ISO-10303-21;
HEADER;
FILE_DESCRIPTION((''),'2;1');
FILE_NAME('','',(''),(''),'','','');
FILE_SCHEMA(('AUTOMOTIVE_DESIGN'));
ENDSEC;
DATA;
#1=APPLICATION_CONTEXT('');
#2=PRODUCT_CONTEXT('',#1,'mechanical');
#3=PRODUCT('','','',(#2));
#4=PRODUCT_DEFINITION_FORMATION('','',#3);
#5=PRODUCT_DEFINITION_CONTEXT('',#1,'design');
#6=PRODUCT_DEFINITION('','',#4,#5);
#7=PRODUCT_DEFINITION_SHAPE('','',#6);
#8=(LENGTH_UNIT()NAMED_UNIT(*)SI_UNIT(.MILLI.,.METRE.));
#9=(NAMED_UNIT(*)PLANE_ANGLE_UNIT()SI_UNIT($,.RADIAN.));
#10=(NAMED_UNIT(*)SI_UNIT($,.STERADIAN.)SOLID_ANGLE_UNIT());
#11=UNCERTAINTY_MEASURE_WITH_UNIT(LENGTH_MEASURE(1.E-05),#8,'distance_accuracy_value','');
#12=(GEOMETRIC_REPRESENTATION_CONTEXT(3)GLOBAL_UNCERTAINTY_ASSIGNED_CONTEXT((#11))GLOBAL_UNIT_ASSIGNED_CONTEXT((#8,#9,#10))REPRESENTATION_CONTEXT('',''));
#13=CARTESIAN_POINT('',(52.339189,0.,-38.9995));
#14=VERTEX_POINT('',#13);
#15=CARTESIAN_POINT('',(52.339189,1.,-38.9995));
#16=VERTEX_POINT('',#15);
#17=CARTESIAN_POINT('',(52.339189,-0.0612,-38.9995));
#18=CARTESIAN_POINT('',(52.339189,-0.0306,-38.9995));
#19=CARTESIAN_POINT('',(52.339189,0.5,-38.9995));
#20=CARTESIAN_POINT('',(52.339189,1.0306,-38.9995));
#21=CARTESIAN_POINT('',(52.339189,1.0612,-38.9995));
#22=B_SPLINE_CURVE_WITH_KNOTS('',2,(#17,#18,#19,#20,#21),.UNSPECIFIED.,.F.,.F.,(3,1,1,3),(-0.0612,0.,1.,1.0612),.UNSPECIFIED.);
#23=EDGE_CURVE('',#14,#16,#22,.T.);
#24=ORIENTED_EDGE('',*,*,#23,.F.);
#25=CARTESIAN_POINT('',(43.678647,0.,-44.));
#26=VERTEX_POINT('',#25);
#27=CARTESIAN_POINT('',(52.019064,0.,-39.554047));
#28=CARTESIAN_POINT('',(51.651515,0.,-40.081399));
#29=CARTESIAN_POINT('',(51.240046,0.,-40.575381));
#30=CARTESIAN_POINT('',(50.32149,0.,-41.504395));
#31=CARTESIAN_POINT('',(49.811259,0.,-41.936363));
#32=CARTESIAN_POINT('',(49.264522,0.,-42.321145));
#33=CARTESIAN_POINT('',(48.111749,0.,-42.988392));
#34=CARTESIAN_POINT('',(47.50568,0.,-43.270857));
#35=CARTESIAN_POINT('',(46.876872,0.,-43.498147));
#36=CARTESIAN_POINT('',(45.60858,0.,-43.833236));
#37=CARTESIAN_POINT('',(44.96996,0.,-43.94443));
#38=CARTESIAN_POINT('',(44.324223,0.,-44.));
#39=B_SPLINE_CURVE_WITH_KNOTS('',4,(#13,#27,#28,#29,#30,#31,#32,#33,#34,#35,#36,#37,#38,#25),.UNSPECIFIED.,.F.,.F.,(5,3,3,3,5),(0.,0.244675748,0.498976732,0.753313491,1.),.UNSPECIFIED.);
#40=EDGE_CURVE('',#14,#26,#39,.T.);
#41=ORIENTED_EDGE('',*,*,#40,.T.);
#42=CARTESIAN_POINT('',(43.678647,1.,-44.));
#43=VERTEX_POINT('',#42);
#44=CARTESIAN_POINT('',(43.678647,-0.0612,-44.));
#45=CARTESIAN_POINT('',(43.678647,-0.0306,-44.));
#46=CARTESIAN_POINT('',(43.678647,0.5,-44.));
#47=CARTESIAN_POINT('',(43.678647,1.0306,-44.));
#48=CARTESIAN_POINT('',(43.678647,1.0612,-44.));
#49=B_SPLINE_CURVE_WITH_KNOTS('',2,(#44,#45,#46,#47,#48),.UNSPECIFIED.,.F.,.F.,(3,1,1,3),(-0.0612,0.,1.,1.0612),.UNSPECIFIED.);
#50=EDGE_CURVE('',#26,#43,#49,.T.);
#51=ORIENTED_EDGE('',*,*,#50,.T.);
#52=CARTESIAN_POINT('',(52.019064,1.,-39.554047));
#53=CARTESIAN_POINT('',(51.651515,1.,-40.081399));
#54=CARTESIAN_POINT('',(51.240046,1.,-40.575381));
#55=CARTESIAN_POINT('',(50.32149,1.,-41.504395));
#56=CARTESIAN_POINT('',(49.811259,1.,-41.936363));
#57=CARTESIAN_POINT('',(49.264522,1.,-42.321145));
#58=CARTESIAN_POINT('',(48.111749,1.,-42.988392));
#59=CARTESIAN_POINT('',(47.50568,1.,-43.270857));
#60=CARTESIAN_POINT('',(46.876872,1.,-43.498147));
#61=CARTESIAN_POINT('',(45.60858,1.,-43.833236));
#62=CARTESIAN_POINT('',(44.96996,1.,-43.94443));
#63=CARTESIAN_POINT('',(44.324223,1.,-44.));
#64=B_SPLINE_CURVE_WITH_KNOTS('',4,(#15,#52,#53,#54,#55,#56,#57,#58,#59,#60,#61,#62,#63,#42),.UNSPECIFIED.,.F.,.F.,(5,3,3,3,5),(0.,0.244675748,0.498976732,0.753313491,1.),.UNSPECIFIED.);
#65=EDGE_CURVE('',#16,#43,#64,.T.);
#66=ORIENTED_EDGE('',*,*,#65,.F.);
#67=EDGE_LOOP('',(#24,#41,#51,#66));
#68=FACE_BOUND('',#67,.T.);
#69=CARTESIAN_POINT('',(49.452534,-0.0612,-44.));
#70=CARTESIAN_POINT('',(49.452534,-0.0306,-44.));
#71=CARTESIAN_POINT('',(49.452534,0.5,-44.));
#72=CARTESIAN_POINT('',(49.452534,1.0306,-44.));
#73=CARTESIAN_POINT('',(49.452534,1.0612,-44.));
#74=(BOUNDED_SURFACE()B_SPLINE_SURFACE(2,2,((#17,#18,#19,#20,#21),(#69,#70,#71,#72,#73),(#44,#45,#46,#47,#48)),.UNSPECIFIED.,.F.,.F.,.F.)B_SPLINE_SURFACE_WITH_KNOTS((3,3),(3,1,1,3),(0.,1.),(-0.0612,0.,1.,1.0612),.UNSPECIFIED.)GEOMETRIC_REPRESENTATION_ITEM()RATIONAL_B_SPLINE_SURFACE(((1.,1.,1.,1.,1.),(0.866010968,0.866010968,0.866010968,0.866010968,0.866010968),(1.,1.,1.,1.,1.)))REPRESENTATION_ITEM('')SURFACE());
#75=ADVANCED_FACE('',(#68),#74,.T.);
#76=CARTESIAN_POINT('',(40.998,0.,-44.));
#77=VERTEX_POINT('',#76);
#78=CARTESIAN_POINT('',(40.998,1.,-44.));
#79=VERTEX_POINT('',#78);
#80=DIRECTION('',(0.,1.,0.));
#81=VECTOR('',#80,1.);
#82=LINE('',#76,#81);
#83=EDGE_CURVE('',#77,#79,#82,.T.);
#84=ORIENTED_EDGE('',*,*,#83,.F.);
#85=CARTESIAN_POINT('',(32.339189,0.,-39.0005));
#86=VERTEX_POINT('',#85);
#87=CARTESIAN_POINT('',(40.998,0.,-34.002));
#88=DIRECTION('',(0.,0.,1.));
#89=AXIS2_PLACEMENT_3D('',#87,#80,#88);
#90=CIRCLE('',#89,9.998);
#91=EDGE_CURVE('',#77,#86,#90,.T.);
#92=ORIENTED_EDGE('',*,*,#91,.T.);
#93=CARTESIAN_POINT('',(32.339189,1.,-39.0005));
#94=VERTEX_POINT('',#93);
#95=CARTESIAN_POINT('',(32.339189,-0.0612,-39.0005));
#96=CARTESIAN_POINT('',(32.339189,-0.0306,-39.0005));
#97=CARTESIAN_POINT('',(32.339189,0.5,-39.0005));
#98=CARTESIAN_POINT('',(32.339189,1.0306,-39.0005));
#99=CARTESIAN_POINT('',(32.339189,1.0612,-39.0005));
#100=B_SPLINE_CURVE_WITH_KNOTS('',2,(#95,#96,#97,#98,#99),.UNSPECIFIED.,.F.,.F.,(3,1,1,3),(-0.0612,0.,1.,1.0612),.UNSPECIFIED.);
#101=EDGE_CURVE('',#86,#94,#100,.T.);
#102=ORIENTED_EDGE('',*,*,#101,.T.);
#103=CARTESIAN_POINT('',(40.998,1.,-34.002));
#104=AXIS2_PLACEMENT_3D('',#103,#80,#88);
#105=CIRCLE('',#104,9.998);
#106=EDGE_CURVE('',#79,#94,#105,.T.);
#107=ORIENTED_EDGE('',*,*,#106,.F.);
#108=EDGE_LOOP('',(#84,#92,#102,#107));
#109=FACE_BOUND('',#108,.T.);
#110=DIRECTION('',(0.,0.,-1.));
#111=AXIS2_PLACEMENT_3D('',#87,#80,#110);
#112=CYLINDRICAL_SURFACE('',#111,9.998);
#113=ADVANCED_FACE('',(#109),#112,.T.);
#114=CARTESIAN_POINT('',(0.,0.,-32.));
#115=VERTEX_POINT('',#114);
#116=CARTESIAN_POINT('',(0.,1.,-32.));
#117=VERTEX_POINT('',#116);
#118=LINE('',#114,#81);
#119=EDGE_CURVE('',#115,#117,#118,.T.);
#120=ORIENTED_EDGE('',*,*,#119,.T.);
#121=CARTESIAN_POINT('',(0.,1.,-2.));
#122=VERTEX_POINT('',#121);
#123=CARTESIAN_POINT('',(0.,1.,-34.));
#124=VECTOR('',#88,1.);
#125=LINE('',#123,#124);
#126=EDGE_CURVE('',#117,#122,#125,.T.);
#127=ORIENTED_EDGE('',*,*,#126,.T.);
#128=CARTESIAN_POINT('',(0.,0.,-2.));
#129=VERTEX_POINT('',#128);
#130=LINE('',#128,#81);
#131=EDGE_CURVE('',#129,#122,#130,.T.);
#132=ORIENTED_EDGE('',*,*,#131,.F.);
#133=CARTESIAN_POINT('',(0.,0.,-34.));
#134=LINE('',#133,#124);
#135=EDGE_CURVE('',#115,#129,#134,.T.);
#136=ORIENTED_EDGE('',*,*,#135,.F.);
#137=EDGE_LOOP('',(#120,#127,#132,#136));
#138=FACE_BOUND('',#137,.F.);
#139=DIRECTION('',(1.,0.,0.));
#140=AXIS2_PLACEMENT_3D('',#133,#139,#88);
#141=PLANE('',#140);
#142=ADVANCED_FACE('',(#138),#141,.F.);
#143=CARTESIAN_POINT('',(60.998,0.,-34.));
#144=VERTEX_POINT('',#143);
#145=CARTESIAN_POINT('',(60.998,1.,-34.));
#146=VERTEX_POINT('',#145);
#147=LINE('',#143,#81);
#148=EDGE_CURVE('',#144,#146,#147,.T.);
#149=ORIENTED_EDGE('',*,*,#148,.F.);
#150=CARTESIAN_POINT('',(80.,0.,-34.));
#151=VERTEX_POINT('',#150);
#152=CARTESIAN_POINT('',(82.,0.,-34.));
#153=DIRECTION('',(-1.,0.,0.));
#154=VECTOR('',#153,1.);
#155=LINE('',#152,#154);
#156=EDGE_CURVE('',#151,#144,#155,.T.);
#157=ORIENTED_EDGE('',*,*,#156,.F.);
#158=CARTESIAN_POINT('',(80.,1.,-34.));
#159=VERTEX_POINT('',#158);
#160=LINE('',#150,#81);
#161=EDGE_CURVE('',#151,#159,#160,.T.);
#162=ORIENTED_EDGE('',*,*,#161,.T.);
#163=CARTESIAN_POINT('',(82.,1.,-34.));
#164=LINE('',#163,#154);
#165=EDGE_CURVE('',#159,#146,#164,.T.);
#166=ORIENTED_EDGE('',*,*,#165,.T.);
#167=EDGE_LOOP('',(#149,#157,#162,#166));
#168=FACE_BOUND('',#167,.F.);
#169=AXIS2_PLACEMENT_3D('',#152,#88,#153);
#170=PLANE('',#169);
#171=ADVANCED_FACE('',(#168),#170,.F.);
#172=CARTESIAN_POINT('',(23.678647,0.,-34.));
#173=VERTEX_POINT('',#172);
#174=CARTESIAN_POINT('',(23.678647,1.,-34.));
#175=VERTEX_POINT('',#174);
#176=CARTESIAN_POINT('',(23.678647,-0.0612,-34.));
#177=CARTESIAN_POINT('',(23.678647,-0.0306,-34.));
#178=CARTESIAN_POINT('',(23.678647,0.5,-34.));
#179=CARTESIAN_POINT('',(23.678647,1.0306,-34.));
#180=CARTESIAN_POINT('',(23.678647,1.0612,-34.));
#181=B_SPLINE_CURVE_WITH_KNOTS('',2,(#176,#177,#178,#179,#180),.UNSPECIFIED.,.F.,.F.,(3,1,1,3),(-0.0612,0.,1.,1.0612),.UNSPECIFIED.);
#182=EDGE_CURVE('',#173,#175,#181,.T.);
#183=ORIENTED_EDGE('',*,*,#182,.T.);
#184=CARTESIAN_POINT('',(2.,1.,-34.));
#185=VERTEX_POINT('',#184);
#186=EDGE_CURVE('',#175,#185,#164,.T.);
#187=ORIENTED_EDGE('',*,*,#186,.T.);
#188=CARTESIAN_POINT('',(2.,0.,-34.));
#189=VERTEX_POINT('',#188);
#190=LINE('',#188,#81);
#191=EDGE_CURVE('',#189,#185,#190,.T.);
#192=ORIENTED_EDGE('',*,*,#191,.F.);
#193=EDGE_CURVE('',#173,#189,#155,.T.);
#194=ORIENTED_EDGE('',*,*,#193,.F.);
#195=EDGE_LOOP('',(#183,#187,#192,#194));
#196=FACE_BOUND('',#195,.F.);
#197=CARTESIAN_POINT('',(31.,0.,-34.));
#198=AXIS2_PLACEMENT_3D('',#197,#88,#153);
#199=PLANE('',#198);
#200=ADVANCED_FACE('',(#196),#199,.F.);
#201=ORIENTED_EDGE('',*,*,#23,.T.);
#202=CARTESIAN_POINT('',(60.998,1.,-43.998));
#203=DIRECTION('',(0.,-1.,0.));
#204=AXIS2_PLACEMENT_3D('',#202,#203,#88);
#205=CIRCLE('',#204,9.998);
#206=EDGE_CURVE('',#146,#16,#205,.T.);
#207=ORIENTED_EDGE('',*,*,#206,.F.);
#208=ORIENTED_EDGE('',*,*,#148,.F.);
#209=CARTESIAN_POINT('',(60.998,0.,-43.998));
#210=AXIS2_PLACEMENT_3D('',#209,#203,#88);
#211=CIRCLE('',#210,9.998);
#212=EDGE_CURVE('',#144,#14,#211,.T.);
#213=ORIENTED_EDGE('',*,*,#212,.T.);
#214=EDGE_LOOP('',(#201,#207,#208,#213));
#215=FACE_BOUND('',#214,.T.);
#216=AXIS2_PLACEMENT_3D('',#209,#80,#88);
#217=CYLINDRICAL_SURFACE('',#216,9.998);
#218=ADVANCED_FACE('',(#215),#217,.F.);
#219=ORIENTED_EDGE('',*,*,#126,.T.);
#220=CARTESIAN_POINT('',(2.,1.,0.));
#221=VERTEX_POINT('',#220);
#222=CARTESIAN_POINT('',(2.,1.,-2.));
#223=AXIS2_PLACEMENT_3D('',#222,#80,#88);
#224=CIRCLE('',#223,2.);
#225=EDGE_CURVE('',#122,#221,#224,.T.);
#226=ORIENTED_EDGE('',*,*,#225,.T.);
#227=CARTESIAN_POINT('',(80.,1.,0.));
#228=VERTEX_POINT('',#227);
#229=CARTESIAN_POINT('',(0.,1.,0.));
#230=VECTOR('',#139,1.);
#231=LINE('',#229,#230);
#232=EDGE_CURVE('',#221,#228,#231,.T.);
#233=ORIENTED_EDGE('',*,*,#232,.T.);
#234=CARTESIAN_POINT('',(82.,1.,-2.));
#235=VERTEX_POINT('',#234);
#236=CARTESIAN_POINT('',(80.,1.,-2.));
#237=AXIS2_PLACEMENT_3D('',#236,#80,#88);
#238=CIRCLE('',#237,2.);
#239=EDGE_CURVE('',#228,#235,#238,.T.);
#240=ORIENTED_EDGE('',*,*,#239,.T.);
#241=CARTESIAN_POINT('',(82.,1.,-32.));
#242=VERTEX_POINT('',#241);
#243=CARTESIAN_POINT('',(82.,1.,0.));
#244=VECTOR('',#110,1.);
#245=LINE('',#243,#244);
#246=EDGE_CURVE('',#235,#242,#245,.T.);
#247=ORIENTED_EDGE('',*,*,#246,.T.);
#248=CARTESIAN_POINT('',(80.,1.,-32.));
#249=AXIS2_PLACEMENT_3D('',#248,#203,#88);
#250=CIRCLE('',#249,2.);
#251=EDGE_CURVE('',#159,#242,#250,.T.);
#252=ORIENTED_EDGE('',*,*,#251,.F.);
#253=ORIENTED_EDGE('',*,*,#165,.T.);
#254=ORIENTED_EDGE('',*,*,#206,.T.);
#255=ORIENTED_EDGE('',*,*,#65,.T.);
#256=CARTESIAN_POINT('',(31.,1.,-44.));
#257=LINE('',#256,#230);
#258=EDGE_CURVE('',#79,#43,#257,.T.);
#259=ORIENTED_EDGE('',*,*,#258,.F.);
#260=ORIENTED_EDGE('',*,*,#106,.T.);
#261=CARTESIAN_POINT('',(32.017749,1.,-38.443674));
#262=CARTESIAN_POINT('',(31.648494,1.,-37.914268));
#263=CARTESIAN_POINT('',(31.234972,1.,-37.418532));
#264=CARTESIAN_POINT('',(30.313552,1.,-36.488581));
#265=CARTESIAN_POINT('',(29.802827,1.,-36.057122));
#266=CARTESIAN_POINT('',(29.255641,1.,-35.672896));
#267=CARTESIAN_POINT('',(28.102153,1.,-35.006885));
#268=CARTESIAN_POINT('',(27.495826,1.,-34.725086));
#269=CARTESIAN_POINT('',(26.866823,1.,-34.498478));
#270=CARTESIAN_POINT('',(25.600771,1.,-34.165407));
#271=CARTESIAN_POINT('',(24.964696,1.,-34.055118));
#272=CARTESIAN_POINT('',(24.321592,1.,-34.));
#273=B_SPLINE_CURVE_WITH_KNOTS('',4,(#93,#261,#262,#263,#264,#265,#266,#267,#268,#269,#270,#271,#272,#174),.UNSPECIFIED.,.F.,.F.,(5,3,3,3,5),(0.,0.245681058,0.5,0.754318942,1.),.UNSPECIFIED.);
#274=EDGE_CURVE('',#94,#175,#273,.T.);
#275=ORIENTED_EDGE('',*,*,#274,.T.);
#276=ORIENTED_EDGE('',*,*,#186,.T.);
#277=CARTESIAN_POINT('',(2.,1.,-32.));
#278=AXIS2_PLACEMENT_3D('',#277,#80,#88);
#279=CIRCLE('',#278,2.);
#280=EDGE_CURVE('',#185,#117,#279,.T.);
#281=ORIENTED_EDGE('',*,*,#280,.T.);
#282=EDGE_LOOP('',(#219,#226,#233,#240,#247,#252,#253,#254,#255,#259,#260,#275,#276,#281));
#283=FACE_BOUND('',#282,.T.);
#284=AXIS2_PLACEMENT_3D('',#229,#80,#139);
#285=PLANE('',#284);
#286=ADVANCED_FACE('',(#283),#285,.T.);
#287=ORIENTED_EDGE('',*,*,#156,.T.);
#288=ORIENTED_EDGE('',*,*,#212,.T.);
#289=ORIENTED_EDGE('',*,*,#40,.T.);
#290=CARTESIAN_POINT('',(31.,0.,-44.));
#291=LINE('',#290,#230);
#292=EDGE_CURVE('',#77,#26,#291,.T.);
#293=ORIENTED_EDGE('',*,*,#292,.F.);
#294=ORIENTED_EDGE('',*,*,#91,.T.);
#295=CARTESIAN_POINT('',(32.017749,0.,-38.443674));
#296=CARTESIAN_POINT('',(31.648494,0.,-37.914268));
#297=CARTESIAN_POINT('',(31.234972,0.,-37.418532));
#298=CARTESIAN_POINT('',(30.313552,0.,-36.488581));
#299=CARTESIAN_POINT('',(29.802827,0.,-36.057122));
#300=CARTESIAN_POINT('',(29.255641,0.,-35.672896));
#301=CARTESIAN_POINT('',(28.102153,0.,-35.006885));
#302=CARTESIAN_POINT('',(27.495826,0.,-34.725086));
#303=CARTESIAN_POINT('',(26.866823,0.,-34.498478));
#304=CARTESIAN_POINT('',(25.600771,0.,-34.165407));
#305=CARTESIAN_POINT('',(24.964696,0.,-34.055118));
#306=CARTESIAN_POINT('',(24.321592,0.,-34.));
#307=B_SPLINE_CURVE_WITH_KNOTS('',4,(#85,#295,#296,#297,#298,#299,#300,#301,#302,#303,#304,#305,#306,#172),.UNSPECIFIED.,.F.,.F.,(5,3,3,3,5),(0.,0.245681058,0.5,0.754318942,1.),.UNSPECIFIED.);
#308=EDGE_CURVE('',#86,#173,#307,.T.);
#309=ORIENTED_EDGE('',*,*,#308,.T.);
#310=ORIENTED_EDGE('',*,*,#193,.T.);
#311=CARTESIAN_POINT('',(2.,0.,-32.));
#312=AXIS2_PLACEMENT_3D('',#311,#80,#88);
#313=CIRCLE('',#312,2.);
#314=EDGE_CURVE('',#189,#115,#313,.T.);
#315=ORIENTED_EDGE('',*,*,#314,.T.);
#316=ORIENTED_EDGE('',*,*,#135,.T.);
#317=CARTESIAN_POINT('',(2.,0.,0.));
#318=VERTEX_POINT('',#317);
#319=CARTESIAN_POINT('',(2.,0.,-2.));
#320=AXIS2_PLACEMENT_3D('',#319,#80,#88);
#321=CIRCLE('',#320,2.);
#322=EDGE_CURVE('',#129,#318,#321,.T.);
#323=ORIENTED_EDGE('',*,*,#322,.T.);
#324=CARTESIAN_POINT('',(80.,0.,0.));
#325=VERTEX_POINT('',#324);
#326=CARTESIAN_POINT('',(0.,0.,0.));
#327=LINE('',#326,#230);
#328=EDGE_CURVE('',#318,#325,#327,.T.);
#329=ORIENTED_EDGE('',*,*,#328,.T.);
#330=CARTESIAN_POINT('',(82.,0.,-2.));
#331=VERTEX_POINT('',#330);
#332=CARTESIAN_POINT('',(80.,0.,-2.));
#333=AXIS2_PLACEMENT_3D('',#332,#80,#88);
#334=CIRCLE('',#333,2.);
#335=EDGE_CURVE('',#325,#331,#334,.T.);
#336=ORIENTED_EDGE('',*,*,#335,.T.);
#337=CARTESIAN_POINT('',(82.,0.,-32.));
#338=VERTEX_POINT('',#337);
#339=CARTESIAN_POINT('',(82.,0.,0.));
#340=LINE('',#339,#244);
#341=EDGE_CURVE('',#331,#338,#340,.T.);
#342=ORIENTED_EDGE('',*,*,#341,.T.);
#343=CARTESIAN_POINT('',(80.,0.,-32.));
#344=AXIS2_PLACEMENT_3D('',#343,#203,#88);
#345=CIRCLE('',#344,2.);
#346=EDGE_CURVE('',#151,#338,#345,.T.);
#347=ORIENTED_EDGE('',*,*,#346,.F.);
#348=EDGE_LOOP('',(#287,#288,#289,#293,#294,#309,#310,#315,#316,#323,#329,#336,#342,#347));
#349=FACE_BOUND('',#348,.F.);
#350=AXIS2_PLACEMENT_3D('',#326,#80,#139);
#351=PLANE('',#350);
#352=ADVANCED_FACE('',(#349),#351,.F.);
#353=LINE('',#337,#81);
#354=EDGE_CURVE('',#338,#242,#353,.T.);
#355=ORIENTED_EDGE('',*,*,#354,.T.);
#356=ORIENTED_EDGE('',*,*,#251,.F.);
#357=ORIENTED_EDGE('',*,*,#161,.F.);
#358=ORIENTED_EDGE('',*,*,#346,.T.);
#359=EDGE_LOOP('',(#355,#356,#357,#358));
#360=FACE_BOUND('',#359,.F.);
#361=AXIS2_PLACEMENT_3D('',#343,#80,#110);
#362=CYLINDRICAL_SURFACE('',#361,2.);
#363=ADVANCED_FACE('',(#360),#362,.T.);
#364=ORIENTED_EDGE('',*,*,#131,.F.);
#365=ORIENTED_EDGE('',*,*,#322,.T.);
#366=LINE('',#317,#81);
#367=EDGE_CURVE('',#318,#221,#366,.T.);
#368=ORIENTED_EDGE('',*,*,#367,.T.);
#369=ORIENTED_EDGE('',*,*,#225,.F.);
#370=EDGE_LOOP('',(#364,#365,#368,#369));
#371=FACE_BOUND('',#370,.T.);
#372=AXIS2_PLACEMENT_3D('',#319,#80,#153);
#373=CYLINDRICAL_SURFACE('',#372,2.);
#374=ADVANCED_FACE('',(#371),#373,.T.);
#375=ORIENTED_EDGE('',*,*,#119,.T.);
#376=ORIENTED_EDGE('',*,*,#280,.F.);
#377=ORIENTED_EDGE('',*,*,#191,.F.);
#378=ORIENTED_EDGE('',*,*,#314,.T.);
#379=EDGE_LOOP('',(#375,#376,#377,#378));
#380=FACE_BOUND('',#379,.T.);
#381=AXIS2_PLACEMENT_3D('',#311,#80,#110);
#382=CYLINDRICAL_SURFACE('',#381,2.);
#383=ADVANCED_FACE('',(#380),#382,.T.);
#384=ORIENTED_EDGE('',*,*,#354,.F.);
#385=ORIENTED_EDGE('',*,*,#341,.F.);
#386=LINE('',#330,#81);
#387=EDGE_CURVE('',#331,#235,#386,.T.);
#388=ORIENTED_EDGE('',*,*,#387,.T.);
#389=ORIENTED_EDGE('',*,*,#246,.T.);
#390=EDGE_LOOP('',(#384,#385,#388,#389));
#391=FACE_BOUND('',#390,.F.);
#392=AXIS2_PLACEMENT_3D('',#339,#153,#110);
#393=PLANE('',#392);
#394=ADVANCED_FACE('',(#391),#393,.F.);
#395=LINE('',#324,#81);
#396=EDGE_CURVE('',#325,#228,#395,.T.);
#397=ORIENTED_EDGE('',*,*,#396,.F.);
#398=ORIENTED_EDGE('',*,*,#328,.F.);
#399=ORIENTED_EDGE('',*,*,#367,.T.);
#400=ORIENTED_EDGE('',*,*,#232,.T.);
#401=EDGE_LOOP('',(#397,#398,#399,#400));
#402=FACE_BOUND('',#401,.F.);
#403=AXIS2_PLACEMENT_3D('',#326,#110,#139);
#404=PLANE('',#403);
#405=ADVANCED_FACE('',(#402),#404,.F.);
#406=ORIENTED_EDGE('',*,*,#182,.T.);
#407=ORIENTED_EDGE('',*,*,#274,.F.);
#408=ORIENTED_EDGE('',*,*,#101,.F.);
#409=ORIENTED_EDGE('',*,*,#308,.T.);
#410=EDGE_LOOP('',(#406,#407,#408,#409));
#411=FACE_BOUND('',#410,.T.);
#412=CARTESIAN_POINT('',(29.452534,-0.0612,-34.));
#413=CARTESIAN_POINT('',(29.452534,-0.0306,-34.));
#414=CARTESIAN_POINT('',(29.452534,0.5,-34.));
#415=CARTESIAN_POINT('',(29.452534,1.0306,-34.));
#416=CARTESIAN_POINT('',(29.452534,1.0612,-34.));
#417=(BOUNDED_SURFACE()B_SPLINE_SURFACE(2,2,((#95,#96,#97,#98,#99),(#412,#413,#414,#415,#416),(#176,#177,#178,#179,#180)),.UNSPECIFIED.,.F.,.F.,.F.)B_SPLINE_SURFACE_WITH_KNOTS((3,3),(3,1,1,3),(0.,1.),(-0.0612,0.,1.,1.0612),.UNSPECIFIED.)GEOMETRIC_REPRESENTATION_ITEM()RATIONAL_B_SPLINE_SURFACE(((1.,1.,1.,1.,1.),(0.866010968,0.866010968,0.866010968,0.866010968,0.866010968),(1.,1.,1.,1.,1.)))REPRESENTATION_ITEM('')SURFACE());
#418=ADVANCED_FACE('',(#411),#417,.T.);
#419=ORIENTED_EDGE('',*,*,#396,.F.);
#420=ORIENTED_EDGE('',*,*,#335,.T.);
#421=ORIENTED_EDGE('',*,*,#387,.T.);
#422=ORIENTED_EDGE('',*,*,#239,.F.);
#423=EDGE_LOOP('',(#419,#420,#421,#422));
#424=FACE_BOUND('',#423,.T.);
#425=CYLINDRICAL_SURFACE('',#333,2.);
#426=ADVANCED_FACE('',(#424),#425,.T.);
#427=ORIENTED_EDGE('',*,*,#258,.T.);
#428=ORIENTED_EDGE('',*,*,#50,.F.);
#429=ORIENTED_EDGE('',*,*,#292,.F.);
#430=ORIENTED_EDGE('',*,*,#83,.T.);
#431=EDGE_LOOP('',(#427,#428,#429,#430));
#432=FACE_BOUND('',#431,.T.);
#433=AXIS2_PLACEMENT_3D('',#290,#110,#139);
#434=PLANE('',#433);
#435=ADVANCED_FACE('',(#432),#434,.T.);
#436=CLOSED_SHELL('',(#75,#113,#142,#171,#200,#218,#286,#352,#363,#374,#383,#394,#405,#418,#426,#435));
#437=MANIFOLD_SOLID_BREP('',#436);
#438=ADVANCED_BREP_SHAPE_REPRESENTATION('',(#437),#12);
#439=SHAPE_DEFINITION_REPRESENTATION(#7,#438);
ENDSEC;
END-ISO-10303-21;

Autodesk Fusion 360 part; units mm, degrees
sketch "Sketch1" plane through (0, 0, 0) normal (0, 1, 0) x (1, 0, 0)
  line L0 (0, 0) -> (82, 0)
  line L1 (82, 0) -> (82, 34)
  line L2 (82, 34) -> (0, 34)
  line L3 (0, 34) -> (0, 0)
  line L4 (31, 44) -> (51, 44)
  line L5 (51, 44) -> (51, 34)
  line L6 (51, 34) -> (31, 34)
  line L7 (31, 34) -> (31, 44)
  dimension "d1" = 82
  dimension "d2" = 34
  dimension "d3" = 20
  dimension "d4" = 10
extrude "Extrude1" add sketch "Sketch1" along normal blind 1
fillet "Fillet1" radius 10 4 edges at (51, 0.5, -34) (51, 0.5, -44) (31, 0.5, -44) (31, 0.5, -34)
fillet "Fillet2" radius 2 4 edges at (0, 0.5, 0) (82, 0.5, 0) (82, 0.5, -34) (0, 0.5, -34)
